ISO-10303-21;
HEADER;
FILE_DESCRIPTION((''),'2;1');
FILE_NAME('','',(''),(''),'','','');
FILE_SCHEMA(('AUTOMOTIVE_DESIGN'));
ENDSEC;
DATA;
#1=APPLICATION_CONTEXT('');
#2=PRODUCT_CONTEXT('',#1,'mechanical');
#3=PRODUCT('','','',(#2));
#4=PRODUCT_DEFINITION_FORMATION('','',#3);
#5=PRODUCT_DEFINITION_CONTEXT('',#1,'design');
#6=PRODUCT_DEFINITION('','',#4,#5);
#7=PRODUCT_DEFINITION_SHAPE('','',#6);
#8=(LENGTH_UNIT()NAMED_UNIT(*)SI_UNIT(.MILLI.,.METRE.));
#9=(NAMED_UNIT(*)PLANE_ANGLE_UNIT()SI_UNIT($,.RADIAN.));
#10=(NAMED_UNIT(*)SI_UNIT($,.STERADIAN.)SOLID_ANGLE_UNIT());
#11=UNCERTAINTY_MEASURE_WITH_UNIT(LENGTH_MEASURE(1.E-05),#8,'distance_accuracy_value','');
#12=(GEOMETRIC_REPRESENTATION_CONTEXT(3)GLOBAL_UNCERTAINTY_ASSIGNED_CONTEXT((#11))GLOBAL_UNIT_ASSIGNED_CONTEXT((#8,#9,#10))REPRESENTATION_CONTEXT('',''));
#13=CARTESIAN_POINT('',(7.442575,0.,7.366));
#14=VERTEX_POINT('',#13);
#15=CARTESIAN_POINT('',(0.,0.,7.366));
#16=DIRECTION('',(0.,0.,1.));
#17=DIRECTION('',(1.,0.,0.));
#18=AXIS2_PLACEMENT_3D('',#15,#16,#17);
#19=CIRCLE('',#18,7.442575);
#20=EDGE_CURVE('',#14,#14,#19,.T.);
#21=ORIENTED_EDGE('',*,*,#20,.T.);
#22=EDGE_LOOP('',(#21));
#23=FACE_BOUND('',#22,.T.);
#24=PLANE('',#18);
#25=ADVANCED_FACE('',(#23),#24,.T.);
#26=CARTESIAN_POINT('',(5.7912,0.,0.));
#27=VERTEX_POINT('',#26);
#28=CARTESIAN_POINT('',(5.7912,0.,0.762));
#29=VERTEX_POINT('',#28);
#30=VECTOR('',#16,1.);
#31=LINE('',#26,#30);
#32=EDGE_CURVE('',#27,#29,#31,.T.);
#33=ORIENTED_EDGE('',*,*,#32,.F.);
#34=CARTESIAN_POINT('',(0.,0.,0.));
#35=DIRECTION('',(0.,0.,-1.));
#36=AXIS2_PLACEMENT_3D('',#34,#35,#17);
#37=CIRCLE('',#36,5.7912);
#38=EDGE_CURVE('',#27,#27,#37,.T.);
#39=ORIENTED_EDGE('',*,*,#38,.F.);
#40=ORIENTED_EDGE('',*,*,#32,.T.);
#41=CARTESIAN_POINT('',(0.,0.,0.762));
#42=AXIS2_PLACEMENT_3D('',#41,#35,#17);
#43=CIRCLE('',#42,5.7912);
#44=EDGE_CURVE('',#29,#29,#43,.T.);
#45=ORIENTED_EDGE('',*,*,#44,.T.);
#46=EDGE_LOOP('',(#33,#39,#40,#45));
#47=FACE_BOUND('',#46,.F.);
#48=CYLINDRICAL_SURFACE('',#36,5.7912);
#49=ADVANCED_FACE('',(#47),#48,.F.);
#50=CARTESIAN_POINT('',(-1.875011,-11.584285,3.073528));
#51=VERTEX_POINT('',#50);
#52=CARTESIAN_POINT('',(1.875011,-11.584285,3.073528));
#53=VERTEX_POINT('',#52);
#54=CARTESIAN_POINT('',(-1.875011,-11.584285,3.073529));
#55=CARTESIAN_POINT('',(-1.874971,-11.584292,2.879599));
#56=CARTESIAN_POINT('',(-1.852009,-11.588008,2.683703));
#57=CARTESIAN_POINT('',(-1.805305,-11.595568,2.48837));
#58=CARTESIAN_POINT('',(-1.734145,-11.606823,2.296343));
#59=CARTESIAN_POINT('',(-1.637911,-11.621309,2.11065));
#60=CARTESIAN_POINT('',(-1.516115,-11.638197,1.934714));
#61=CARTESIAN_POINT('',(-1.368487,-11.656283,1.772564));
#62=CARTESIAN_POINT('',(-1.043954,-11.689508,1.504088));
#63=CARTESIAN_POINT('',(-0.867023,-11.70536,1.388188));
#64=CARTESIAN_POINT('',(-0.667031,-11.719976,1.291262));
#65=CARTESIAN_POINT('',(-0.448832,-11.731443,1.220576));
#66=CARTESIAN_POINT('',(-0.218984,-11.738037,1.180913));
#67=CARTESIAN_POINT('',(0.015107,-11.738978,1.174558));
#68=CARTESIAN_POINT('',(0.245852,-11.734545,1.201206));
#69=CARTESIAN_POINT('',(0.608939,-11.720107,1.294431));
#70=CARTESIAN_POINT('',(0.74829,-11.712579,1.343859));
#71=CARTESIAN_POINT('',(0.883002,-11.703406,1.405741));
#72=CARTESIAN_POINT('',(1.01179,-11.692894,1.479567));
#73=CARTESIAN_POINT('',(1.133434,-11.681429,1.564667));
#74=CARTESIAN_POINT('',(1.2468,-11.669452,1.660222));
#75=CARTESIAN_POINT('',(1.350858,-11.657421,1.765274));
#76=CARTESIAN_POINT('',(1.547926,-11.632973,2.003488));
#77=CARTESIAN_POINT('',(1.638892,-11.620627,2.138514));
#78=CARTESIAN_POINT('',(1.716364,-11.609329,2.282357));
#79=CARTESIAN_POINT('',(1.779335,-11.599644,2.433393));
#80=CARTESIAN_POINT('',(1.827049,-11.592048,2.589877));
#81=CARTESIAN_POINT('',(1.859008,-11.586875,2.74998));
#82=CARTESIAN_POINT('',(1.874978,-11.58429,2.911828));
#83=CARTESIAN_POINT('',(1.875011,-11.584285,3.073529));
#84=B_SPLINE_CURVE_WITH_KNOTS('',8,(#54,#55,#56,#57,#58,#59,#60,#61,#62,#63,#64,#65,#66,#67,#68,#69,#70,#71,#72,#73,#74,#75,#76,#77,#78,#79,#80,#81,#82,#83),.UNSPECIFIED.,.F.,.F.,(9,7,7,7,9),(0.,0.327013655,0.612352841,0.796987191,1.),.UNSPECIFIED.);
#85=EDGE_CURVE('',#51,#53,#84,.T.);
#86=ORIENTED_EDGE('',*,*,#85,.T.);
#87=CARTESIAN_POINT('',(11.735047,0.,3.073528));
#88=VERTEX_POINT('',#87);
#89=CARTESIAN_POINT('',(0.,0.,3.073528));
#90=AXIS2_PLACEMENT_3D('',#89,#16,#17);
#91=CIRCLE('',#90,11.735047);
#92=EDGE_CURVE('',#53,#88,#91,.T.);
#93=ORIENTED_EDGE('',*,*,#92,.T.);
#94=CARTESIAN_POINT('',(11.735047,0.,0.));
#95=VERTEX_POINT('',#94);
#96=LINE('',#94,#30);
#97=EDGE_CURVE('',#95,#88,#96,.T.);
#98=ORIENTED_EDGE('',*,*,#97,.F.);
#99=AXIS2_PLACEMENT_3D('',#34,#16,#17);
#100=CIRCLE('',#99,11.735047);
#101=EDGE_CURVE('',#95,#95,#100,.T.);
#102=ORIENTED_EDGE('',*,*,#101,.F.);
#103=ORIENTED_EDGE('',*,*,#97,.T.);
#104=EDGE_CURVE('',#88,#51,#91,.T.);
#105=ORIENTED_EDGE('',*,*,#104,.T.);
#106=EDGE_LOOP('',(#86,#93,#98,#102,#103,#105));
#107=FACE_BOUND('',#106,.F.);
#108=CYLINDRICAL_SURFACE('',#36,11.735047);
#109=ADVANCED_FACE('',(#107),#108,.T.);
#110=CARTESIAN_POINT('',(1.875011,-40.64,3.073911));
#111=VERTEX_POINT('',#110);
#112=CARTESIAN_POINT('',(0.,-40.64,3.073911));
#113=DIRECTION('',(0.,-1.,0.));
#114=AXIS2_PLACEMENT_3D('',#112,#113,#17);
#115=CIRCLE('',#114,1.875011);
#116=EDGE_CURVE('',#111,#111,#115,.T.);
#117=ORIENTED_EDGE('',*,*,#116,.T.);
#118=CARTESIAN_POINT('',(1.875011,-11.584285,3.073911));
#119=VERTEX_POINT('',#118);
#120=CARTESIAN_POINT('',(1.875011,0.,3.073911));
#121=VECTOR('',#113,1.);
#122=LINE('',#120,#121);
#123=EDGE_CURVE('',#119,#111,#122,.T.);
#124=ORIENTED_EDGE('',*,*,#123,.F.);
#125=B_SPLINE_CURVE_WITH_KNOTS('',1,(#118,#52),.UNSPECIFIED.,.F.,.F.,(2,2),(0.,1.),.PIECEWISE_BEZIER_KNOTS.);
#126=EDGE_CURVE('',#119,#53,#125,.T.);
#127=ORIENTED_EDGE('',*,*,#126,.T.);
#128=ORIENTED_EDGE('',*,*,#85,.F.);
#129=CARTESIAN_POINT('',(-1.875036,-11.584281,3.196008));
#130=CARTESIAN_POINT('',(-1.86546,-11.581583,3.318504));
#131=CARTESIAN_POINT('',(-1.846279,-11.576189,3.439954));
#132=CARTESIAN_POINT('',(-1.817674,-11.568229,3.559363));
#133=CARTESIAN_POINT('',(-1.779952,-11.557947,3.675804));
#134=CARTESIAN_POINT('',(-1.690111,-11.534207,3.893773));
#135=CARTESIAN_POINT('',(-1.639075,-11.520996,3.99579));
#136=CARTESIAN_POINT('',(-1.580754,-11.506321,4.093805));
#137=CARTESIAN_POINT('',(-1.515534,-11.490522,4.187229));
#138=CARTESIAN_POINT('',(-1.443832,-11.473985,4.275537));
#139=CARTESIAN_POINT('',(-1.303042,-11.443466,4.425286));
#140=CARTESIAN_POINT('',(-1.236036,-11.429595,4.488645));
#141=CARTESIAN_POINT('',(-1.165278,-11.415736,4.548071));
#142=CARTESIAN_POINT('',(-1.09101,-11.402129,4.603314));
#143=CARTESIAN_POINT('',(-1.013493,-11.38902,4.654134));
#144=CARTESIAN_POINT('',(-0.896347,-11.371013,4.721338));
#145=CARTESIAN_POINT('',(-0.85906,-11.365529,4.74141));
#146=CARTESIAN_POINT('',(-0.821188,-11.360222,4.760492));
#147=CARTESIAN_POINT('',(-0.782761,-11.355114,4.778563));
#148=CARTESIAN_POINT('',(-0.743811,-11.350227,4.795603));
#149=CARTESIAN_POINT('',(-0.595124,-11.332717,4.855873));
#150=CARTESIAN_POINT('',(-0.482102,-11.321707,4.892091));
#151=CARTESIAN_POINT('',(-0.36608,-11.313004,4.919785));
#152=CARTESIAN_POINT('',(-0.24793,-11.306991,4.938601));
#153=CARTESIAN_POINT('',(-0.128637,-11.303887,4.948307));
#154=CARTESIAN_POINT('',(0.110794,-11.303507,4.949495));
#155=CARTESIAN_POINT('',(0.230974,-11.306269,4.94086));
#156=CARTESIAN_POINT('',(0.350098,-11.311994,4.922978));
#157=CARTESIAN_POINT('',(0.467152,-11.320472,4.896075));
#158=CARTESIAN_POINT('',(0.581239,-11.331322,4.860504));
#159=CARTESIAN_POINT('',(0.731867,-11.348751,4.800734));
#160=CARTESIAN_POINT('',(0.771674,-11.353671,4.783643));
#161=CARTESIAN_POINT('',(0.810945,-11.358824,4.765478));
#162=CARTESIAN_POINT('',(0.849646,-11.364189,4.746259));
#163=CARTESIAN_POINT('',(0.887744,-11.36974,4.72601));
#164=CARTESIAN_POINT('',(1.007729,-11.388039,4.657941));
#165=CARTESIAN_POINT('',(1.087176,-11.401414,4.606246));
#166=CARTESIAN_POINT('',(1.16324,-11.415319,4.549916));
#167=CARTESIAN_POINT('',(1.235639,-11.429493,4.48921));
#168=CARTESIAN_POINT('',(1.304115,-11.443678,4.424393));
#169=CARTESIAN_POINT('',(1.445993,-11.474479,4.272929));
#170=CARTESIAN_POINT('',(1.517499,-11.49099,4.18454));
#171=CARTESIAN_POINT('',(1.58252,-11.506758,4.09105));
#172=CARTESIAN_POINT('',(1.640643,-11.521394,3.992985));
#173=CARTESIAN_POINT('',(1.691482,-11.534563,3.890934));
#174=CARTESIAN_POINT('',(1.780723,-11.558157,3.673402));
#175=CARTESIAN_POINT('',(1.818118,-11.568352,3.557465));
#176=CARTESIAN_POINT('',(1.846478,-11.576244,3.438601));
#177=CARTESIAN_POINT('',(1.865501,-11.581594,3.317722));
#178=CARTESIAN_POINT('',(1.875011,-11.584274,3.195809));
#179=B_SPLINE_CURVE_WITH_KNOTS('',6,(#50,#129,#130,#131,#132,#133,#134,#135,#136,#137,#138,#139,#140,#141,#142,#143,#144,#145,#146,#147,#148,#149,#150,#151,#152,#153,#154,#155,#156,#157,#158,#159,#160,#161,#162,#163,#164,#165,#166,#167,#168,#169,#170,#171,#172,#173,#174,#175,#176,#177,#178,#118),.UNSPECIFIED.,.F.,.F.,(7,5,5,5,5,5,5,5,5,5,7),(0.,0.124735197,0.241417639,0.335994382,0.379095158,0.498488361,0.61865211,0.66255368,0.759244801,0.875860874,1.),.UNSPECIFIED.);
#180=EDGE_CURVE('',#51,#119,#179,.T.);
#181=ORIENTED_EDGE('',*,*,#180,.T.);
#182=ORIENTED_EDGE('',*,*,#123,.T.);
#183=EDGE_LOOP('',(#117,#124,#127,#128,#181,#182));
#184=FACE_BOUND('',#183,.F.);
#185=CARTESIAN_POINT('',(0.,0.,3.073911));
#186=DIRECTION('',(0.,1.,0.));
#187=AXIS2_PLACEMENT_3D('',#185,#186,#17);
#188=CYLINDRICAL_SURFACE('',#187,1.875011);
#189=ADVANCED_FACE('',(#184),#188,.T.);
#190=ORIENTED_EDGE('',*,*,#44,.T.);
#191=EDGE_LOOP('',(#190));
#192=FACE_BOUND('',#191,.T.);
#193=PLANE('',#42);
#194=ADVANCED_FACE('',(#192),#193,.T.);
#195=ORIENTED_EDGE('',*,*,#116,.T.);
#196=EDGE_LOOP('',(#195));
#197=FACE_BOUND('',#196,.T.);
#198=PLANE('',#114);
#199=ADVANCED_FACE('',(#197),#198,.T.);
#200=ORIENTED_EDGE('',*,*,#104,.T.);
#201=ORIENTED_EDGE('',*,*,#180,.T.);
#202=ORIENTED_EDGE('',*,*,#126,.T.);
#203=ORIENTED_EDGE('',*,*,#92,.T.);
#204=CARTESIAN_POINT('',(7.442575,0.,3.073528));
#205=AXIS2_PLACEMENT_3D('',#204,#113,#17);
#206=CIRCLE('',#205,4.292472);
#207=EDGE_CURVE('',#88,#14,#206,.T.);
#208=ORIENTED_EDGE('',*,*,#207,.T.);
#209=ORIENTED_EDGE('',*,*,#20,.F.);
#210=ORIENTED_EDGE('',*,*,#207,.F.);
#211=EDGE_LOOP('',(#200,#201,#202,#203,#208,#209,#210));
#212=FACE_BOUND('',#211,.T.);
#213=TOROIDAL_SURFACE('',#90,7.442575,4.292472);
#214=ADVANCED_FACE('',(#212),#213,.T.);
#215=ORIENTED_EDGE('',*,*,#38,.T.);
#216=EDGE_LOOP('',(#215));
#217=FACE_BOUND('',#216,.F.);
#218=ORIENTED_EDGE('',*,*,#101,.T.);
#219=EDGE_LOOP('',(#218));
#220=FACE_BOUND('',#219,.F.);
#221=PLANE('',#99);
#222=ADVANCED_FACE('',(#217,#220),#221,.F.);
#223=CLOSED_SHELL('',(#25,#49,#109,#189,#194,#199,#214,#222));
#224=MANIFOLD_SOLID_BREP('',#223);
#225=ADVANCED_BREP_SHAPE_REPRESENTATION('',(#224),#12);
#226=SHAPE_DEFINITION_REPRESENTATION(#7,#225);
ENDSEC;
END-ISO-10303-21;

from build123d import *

# Parameters (mm, degrees)
F0_R     = 11.735047
F1_DEPTH = 7.366
F2_R     = 4.292472
F3_R     = 5.7912
F4_DEPTH = 0.762
F5_R     = 1.875011
F6_DEPTH = 40.64


with BuildPart() as f1:
    # F0 (on Top) → F1 (new body)
    with BuildSketch(Plane.XY):
        Circle(F0_R)
    extrude(amount=F1_DEPTH)

    # F2
    f2_edges = [f1.edges().sort_by_distance(p)[0] for p in [
        (-11.735047, 0, 7.366),
    ]]
    fillet(f2_edges, radius=F2_R)

    # F3 (on face) → F4 (cut)
    with BuildSketch(Plane(origin=(0, 0, 0), x_dir=(1, 0, 0), z_dir=(0, 0, -1))):
        Circle(F3_R)
    extrude(amount=-F4_DEPTH, mode=Mode.SUBTRACT)

    # F5 (on Front) → F6 (join)
    with BuildSketch(Plane.XZ):
        with Locations((0, 3.073911)):
            Circle(F5_R)
    extrude(amount=F6_DEPTH)


solid = f1.part
